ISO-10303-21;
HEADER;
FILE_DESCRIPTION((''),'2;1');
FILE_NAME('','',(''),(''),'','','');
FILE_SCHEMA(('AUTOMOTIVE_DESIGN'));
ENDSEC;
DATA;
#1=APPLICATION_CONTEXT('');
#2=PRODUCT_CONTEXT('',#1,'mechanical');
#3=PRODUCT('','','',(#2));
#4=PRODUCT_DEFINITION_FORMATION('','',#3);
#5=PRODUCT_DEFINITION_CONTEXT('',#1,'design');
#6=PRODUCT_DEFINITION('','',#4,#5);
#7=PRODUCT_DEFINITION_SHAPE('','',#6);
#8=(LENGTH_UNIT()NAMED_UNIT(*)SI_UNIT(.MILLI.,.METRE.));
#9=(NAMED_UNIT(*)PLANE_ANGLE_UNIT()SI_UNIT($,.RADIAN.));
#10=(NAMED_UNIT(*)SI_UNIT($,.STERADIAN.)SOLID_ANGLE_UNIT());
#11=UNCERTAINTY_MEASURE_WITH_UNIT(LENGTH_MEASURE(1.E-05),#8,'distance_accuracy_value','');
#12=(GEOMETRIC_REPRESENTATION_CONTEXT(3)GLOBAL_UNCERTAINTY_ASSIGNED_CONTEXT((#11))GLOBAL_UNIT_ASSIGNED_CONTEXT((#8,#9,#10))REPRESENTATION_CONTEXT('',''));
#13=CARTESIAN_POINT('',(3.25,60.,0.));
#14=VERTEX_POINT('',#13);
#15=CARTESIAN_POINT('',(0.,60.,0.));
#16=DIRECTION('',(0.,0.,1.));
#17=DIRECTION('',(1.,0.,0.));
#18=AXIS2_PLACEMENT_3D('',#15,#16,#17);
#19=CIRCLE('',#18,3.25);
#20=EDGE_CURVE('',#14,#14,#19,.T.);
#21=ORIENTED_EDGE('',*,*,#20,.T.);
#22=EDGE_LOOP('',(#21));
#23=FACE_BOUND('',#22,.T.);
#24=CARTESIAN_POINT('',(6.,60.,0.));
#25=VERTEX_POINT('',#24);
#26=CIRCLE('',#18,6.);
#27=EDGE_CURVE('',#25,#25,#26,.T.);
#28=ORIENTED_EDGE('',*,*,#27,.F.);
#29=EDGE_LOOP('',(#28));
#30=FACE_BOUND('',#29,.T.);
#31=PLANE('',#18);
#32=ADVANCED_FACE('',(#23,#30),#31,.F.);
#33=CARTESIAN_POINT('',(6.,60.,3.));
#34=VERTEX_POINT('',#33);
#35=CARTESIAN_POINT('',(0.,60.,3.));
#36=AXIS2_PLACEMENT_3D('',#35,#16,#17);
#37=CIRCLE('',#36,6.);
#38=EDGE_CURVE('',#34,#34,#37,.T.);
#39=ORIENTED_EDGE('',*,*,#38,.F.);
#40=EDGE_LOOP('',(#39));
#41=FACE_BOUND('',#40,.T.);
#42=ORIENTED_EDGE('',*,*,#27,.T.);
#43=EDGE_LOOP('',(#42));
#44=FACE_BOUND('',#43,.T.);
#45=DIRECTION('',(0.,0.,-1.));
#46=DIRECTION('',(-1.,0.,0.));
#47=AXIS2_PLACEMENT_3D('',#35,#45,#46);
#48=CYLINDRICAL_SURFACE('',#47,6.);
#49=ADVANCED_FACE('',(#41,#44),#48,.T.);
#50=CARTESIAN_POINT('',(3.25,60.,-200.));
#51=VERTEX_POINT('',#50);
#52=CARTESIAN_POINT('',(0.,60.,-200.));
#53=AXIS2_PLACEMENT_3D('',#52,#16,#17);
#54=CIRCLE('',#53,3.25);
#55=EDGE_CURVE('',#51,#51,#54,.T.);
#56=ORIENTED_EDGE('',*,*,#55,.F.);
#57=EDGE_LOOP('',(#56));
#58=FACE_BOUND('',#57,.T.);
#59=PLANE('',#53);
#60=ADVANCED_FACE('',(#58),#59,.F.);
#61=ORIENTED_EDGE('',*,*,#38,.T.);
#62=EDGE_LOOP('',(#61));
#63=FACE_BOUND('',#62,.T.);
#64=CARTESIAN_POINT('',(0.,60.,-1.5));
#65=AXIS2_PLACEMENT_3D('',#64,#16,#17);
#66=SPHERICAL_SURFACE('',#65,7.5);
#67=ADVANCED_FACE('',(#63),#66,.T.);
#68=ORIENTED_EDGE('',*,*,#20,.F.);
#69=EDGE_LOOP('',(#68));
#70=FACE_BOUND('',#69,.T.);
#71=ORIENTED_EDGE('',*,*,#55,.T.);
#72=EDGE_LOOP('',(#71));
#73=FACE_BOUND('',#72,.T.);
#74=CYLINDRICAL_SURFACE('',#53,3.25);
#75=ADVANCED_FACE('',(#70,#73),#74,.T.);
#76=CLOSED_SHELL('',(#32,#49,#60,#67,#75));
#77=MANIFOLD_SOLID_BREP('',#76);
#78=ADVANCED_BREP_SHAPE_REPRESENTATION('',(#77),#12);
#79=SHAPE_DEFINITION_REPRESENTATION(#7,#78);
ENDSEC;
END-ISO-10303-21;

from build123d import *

# Parameters (mm, degrees)
SKETCH1_R           = 3.25
SKETCH3_R           = 6
BOSS_EXTRUDE1_DEPTH = 3
DOME1_FACE_RADIUS   = 6
DOME1_HEIGHT        = 3


with BuildPart() as part:
    # Sweep1: sweep along a path in Sketch2
    with BuildLine(Plane(origin=(0, 0, 0), x_dir=(0, 0, -1), z_dir=(1, 0, 0))) as sweep1_path:
        Line((0, 0), (200, 0))
    # Sketch1 → Sweep1 (sweep)
    with BuildSketch(Plane.XY):
        with Locations((0, 60)):
            Circle(SKETCH1_R)
    sweep(path=sweep1_path.line)

    # Sketch3 → Boss-Extrude1 (add)
    with BuildSketch(Plane.XY):
        with Locations((0, 60)):
            Circle(SKETCH3_R)
    extrude(amount=BOSS_EXTRUDE1_DEPTH)

    # Dome1: a dome of height H over a round flat face of radius A is a cap of a sphere of radius (A * A + H * H) / (2 * H)
    dome1_r = (DOME1_FACE_RADIUS * DOME1_FACE_RADIUS + DOME1_HEIGHT * DOME1_HEIGHT) / (2 * DOME1_HEIGHT)
    dome1_base = Plane((0, 60, 3), z_dir=(0, 0, 1))
    with Locations(dome1_base.offset(DOME1_HEIGHT - dome1_r)):
        dome1_ball = Sphere(dome1_r, mode=Mode.PRIVATE)
    add(split(dome1_ball, bisect_by=dome1_base, keep=Keep.TOP, mode=Mode.PRIVATE))


solid = part.part
